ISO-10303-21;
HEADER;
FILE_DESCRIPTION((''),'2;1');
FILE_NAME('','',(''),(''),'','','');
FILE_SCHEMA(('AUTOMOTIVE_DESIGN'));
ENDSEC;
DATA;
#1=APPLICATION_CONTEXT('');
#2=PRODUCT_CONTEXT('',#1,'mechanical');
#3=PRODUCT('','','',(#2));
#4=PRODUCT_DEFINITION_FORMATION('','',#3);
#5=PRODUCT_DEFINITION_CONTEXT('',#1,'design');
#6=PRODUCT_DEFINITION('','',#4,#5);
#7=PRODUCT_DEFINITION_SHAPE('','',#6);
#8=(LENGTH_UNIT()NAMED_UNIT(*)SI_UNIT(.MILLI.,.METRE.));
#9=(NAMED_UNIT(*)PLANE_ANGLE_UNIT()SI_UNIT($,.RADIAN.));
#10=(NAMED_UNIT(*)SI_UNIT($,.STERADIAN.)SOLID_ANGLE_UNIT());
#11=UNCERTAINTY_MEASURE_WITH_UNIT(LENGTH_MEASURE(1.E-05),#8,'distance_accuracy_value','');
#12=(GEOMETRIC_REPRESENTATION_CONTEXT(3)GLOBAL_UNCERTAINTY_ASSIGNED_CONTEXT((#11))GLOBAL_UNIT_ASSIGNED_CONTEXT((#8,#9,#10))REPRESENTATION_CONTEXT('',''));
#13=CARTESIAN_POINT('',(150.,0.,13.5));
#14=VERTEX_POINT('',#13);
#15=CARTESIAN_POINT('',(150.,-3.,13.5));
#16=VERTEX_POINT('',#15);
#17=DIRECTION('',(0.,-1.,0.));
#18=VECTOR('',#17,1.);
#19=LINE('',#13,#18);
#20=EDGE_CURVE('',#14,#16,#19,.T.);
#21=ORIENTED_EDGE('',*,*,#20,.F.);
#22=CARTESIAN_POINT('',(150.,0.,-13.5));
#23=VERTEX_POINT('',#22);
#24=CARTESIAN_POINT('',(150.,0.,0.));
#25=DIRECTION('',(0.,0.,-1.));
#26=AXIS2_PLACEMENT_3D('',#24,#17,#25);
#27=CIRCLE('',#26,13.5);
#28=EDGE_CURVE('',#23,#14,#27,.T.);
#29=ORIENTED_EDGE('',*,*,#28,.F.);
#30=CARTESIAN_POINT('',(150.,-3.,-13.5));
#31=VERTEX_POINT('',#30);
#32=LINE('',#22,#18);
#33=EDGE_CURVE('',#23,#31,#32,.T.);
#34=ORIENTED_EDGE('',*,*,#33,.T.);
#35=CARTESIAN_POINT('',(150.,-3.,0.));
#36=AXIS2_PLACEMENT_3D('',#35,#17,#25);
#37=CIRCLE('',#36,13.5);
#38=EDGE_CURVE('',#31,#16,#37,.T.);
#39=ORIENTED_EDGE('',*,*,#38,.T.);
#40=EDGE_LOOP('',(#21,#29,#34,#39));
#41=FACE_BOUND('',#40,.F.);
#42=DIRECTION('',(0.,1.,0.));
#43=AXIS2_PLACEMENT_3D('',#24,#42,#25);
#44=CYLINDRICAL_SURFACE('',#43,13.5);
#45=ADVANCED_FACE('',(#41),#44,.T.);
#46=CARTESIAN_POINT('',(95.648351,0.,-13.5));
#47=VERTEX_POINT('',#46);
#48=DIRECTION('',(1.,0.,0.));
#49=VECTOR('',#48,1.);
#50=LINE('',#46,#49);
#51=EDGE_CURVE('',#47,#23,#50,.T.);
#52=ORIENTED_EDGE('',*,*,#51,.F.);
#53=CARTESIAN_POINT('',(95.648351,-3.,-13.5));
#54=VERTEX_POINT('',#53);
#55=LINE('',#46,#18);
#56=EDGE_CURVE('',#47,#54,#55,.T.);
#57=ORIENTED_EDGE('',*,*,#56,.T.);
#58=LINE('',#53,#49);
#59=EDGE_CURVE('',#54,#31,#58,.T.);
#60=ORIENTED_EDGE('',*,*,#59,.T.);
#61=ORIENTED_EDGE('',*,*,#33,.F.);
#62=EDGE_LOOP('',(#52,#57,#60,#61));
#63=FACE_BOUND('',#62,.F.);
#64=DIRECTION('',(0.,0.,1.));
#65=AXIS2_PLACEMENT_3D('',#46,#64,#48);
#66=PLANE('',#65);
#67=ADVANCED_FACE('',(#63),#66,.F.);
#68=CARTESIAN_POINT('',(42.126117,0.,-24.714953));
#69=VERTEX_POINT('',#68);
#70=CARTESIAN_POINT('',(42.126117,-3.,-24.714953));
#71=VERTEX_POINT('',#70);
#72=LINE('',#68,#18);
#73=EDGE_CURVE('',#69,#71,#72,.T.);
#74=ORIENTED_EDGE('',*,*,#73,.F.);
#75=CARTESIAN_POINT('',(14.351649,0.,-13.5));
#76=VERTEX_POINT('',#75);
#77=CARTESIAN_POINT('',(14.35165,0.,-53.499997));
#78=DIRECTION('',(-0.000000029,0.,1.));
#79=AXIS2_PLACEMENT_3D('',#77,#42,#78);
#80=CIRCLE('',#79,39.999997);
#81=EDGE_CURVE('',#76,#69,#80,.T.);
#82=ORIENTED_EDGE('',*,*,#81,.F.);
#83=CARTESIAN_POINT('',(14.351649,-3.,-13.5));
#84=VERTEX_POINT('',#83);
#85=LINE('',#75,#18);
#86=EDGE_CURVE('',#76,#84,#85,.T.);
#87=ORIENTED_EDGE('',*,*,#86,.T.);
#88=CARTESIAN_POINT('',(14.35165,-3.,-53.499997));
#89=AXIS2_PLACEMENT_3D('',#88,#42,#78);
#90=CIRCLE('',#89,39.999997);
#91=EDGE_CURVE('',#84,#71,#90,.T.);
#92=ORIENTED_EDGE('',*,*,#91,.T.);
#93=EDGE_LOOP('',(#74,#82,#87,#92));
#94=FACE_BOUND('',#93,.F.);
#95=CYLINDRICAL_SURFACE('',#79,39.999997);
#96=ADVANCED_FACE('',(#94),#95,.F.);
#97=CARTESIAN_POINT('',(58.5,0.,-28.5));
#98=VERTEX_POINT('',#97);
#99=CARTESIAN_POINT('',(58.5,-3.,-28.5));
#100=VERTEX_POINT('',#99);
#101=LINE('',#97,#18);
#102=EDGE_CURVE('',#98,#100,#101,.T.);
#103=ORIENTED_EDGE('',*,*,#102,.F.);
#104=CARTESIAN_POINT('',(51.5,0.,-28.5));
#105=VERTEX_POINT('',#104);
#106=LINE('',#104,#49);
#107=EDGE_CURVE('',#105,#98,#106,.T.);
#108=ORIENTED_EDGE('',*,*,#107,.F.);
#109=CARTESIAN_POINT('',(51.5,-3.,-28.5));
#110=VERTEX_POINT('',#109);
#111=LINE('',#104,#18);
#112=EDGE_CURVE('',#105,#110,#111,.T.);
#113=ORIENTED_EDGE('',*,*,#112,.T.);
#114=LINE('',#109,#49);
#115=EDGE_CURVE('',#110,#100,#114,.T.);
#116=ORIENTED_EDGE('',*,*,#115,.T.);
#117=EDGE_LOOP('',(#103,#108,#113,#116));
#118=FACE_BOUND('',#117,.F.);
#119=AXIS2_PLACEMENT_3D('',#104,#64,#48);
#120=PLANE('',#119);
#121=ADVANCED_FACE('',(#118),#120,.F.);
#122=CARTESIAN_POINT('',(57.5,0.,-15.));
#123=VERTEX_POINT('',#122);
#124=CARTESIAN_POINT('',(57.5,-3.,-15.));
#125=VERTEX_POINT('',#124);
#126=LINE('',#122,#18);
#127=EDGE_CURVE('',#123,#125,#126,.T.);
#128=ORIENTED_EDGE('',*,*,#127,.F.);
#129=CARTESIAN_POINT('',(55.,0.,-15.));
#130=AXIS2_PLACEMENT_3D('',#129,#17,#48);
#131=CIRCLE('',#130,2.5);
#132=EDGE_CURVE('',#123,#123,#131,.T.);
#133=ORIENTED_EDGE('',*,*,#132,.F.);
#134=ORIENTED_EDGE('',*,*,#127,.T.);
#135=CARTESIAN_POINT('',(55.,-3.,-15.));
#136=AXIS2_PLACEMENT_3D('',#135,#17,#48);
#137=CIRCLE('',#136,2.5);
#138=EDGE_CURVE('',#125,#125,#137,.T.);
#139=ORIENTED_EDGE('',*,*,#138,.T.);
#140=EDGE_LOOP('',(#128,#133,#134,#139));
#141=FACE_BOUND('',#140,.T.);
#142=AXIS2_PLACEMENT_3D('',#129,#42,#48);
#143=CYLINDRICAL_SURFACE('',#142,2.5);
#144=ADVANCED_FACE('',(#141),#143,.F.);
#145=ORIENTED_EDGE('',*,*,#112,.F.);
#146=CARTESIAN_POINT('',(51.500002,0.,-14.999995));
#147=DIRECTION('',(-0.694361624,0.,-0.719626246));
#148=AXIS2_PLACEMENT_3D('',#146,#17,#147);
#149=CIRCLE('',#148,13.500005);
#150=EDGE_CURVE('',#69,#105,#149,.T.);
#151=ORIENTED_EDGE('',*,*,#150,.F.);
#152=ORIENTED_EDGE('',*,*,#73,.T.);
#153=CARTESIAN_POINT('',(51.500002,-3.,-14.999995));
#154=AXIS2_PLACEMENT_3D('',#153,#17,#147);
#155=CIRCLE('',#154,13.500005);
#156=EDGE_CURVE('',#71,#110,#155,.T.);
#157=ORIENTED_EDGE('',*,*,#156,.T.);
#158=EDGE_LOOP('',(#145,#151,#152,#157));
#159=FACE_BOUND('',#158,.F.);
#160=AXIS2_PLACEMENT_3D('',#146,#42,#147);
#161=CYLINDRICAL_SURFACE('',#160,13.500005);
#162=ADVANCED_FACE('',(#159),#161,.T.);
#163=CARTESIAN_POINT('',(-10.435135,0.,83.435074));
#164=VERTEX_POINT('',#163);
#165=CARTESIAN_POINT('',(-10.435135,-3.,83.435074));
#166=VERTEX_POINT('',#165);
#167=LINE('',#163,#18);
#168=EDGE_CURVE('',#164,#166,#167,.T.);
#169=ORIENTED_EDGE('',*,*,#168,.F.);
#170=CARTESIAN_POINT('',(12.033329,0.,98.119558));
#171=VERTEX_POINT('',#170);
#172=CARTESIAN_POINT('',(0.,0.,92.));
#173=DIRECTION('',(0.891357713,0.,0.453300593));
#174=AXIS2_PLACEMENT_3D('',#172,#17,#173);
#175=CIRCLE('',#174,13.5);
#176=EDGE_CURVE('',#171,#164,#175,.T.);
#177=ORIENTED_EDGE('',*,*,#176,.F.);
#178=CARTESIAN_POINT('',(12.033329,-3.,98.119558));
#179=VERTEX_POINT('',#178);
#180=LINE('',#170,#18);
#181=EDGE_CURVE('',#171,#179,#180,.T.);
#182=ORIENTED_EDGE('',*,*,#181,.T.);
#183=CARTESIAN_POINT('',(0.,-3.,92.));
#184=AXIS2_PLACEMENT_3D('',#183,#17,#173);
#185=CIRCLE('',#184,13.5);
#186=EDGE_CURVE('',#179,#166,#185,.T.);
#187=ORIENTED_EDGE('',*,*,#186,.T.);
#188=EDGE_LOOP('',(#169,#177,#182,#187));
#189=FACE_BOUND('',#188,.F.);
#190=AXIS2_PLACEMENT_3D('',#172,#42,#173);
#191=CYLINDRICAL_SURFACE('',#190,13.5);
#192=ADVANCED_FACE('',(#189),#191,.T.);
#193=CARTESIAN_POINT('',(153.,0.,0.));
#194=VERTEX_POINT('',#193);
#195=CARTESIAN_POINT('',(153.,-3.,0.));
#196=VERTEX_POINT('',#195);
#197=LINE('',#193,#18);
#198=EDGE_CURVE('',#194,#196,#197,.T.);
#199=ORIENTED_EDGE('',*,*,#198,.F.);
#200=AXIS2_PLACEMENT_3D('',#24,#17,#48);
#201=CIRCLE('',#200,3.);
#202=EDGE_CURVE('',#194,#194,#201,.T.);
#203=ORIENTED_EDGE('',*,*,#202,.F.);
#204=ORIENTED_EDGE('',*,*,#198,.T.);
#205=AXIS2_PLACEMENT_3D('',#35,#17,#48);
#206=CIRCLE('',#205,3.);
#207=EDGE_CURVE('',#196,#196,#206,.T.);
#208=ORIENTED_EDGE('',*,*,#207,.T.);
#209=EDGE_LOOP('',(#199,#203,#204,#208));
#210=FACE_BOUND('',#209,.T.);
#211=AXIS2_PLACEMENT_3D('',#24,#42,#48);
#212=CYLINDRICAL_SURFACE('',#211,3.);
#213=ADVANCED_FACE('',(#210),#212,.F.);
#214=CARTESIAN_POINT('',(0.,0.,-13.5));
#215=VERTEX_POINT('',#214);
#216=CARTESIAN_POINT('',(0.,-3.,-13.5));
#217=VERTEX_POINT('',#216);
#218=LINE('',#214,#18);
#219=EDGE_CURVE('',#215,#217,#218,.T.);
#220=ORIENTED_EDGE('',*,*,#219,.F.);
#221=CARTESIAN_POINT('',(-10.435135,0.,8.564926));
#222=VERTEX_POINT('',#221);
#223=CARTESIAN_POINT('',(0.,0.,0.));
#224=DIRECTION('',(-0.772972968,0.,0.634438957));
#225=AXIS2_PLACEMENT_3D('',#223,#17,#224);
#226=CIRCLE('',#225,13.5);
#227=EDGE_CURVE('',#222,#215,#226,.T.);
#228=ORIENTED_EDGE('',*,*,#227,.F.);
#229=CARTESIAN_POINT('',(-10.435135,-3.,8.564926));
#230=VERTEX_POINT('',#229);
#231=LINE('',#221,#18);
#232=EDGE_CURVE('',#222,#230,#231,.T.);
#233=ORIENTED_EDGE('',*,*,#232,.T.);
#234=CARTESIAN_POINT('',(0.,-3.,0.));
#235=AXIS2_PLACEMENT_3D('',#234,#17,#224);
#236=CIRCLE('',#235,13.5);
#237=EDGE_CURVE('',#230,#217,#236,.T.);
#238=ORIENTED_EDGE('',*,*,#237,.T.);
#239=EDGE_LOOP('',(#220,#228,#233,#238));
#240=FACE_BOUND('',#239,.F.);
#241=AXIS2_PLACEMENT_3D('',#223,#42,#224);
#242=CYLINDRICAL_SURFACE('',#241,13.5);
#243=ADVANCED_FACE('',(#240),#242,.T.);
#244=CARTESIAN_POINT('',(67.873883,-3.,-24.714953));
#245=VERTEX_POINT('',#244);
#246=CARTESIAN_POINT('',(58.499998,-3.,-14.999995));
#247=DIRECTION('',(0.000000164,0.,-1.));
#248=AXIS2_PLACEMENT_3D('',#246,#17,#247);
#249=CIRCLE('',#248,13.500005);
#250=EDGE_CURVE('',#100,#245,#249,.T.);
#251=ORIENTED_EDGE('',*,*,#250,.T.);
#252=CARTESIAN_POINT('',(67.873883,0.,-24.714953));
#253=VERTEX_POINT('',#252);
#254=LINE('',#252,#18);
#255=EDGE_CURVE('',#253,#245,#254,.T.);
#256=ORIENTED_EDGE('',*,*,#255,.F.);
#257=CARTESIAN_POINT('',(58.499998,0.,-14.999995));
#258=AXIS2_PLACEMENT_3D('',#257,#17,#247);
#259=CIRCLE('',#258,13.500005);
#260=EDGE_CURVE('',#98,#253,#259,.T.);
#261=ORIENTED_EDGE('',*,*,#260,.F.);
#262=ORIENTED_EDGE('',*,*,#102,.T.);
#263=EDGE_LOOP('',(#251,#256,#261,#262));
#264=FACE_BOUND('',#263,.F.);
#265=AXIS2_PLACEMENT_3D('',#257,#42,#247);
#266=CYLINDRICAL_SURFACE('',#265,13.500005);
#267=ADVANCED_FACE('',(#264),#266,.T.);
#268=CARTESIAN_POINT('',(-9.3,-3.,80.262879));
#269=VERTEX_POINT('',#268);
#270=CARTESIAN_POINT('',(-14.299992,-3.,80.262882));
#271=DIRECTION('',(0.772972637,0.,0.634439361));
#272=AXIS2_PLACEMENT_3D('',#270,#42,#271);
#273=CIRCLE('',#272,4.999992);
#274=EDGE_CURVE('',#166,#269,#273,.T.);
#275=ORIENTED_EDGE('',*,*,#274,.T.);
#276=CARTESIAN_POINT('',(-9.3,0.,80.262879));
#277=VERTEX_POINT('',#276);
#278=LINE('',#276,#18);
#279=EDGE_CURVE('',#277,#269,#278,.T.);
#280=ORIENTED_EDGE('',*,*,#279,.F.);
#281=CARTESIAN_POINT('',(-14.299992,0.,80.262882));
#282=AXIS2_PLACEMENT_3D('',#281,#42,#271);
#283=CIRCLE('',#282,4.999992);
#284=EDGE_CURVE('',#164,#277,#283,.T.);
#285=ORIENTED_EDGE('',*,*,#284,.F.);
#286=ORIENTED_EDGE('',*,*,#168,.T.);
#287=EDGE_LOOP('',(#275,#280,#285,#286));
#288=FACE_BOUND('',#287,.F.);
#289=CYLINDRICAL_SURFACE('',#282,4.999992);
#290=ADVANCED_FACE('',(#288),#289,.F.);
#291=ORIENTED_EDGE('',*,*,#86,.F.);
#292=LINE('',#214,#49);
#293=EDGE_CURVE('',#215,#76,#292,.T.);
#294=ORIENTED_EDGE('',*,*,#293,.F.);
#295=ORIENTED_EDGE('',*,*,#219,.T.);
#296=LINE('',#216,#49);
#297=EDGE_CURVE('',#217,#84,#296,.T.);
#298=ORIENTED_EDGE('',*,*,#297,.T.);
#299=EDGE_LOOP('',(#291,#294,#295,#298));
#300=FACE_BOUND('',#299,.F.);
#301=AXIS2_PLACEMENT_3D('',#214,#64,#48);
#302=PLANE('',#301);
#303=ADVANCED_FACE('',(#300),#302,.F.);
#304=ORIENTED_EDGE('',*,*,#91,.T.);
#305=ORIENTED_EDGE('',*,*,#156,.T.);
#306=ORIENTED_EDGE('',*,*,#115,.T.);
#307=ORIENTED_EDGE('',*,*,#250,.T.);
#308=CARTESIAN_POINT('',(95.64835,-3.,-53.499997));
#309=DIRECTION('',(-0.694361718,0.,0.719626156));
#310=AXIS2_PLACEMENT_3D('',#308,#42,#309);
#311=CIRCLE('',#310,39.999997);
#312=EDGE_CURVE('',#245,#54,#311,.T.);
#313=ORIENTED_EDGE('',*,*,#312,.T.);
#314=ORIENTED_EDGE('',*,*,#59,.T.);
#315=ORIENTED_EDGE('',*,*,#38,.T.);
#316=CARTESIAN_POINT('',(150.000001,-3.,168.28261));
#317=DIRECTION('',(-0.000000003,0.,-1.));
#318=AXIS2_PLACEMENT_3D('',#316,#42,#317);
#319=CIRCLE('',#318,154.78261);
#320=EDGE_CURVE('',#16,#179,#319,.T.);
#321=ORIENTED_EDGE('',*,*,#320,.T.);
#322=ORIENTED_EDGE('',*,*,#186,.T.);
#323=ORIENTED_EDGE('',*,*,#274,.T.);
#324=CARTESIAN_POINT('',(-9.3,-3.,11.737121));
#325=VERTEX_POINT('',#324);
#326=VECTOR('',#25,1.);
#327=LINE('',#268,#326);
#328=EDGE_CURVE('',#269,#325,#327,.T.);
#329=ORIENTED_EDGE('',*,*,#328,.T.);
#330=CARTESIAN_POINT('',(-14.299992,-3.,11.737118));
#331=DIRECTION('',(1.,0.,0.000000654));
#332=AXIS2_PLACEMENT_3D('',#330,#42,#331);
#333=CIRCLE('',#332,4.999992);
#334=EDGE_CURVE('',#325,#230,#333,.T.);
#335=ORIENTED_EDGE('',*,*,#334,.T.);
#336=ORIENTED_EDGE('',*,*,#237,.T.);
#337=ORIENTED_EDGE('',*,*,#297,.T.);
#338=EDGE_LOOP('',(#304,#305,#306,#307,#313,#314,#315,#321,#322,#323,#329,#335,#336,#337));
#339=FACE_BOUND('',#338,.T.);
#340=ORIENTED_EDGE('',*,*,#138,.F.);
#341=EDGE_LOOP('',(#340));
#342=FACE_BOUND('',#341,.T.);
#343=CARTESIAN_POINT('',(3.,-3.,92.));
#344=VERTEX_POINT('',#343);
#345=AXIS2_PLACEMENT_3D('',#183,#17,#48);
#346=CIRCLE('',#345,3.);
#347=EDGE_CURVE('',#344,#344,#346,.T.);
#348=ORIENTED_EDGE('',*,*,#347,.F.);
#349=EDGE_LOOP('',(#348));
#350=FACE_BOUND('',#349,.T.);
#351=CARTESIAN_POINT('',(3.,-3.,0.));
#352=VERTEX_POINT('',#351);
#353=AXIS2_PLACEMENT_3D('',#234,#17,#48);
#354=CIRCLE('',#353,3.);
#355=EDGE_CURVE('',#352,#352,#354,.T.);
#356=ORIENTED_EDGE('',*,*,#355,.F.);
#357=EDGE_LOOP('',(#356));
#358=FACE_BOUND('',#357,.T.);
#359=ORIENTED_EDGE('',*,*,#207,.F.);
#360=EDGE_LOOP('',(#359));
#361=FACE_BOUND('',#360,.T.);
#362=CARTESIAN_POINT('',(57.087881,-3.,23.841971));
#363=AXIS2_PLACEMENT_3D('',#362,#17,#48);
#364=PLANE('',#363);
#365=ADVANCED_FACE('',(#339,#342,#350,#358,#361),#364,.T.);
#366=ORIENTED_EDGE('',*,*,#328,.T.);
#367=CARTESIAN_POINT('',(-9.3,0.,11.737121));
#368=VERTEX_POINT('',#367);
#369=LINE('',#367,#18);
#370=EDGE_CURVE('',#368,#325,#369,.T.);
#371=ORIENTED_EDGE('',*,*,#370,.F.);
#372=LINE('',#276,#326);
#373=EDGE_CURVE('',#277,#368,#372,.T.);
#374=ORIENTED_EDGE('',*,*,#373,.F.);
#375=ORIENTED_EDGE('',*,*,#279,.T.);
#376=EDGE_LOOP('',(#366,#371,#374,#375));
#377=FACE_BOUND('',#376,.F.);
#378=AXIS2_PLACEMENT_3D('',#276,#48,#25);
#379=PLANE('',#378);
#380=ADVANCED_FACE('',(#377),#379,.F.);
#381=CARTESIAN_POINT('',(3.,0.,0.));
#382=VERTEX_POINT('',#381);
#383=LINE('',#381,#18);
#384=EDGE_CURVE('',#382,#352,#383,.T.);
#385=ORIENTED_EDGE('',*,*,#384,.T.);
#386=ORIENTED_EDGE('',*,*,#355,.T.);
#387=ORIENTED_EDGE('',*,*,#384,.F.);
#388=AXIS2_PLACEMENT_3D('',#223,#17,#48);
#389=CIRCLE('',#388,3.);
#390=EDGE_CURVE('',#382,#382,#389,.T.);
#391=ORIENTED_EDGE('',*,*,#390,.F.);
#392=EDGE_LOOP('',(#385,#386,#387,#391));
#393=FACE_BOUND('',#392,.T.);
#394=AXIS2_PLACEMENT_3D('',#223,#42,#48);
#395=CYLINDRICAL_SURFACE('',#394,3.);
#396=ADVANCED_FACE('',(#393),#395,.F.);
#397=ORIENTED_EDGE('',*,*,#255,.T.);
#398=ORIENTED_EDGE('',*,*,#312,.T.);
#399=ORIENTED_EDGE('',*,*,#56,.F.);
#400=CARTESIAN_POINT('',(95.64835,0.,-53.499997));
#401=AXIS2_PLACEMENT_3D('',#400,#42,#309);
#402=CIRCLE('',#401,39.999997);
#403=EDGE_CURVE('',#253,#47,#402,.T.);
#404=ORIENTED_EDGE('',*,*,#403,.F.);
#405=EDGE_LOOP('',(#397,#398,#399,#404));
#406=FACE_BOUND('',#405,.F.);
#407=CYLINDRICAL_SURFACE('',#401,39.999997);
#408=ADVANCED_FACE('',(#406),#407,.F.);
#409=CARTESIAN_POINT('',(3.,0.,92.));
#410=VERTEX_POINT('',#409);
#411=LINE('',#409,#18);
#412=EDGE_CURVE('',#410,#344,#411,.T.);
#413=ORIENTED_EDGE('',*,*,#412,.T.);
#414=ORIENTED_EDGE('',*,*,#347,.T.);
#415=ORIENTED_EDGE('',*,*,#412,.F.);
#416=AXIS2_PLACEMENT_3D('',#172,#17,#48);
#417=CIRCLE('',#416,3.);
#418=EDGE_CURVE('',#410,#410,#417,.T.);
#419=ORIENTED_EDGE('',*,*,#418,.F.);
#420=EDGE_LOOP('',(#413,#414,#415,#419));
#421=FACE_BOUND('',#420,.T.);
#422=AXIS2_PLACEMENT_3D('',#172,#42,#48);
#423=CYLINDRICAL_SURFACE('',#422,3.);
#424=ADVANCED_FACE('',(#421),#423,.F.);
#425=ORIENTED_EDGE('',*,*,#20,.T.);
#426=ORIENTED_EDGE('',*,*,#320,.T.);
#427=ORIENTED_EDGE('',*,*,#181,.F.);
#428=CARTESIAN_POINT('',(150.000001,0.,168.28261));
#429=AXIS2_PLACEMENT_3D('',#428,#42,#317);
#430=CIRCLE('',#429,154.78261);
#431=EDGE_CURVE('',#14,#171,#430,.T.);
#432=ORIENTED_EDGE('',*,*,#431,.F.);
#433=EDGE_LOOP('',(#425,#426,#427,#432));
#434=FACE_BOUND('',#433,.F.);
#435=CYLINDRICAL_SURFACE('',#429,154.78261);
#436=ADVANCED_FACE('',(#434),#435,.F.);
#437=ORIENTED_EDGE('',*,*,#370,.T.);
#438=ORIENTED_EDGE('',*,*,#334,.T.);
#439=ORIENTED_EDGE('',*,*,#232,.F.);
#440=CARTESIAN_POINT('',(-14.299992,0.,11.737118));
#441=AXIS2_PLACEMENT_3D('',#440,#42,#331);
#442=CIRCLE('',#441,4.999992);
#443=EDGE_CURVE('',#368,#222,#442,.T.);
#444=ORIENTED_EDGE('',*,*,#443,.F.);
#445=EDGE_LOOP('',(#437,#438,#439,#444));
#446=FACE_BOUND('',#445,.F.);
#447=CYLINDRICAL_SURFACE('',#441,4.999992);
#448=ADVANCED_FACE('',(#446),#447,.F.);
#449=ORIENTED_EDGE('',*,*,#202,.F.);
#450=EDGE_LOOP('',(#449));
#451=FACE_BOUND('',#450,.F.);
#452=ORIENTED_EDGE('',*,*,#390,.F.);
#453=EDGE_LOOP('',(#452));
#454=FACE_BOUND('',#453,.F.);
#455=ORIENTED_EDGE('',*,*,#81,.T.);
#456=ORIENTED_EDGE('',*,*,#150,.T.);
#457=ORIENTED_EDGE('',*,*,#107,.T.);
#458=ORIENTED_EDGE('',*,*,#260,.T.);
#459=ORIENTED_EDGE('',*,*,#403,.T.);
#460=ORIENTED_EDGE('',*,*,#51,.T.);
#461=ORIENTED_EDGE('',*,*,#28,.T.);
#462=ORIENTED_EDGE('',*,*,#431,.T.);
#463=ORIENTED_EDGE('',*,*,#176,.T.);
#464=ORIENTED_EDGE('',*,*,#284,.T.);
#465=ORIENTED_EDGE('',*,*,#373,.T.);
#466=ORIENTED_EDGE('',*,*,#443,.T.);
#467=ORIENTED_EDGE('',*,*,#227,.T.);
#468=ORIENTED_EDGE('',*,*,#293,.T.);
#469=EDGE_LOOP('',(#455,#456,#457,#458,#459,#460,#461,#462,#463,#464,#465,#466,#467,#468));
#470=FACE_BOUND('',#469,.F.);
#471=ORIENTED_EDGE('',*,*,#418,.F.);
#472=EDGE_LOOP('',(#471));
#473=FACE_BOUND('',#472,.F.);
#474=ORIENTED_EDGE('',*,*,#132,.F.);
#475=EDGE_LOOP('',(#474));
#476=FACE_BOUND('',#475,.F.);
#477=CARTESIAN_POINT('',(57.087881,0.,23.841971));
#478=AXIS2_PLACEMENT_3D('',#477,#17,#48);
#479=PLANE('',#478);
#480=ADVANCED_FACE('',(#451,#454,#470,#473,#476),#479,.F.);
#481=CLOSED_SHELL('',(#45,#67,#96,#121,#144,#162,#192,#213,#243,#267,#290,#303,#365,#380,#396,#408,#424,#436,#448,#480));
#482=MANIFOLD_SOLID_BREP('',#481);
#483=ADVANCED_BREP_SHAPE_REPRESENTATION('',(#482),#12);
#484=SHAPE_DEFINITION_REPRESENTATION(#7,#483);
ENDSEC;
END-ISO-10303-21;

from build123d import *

# Parameters (mm, degrees)
F0_R     = 3
F0_R_2   = 2.5
F1_DEPTH = 3


with BuildPart() as f1:
    # F0 (on Front) → F1 (new body)
    with BuildSketch(Plane.XZ):
        with BuildLine():
            ThreePointArc((-9.3, 11.737121), (-9.592329, 10.052532), (-10.435135, 8.564926))
            ThreePointArc((-10.435135, 8.564926), (-12.204026, -5.771633), (0, -13.5))
            Line((0, -13.5), (14.351649, -13.5))
            ThreePointArc((14.351649, -13.5), (29.328266, -16.409557), (42.126117, -24.714953))
            ThreePointArc((42.126117, -24.714953), (46.445392, -27.518024), (51.5, -28.5))
            Line((51.5, -28.5), (58.5, -28.5))
            ThreePointArc((58.5, -28.5), (63.554608, -27.518024), (67.873883, -24.714953))
            ThreePointArc((67.873883, -24.714953), (80.671734, -16.409557), (95.648351, -13.5))
            Line((95.648351, -13.5), (150, -13.5))
            ThreePointArc((150, -13.5), (163.5, 0), (150, 13.5))
            ThreePointArc((150, 13.5), (69.075233, 36.340053), (12.033329, 98.119558))
            ThreePointArc((12.033329, 98.119558), (-7.385599, 103.300572), (-10.435135, 83.435074))
            ThreePointArc((-10.435135, 83.435074), (-9.592329, 81.947468), (-9.3, 80.262879))
            Line((-9.3, 80.262879), (-9.3, 11.737121))
        make_face()
        Circle(F0_R, mode=Mode.SUBTRACT)
        with Locations((55, -15)):
            Circle(F0_R_2, mode=Mode.SUBTRACT)
        with Locations((150, 0)):
            Circle(F0_R, mode=Mode.SUBTRACT)
        with Locations((0, 92)):
            Circle(F0_R, mode=Mode.SUBTRACT)
    extrude(amount=F1_DEPTH)


solid = f1.part
